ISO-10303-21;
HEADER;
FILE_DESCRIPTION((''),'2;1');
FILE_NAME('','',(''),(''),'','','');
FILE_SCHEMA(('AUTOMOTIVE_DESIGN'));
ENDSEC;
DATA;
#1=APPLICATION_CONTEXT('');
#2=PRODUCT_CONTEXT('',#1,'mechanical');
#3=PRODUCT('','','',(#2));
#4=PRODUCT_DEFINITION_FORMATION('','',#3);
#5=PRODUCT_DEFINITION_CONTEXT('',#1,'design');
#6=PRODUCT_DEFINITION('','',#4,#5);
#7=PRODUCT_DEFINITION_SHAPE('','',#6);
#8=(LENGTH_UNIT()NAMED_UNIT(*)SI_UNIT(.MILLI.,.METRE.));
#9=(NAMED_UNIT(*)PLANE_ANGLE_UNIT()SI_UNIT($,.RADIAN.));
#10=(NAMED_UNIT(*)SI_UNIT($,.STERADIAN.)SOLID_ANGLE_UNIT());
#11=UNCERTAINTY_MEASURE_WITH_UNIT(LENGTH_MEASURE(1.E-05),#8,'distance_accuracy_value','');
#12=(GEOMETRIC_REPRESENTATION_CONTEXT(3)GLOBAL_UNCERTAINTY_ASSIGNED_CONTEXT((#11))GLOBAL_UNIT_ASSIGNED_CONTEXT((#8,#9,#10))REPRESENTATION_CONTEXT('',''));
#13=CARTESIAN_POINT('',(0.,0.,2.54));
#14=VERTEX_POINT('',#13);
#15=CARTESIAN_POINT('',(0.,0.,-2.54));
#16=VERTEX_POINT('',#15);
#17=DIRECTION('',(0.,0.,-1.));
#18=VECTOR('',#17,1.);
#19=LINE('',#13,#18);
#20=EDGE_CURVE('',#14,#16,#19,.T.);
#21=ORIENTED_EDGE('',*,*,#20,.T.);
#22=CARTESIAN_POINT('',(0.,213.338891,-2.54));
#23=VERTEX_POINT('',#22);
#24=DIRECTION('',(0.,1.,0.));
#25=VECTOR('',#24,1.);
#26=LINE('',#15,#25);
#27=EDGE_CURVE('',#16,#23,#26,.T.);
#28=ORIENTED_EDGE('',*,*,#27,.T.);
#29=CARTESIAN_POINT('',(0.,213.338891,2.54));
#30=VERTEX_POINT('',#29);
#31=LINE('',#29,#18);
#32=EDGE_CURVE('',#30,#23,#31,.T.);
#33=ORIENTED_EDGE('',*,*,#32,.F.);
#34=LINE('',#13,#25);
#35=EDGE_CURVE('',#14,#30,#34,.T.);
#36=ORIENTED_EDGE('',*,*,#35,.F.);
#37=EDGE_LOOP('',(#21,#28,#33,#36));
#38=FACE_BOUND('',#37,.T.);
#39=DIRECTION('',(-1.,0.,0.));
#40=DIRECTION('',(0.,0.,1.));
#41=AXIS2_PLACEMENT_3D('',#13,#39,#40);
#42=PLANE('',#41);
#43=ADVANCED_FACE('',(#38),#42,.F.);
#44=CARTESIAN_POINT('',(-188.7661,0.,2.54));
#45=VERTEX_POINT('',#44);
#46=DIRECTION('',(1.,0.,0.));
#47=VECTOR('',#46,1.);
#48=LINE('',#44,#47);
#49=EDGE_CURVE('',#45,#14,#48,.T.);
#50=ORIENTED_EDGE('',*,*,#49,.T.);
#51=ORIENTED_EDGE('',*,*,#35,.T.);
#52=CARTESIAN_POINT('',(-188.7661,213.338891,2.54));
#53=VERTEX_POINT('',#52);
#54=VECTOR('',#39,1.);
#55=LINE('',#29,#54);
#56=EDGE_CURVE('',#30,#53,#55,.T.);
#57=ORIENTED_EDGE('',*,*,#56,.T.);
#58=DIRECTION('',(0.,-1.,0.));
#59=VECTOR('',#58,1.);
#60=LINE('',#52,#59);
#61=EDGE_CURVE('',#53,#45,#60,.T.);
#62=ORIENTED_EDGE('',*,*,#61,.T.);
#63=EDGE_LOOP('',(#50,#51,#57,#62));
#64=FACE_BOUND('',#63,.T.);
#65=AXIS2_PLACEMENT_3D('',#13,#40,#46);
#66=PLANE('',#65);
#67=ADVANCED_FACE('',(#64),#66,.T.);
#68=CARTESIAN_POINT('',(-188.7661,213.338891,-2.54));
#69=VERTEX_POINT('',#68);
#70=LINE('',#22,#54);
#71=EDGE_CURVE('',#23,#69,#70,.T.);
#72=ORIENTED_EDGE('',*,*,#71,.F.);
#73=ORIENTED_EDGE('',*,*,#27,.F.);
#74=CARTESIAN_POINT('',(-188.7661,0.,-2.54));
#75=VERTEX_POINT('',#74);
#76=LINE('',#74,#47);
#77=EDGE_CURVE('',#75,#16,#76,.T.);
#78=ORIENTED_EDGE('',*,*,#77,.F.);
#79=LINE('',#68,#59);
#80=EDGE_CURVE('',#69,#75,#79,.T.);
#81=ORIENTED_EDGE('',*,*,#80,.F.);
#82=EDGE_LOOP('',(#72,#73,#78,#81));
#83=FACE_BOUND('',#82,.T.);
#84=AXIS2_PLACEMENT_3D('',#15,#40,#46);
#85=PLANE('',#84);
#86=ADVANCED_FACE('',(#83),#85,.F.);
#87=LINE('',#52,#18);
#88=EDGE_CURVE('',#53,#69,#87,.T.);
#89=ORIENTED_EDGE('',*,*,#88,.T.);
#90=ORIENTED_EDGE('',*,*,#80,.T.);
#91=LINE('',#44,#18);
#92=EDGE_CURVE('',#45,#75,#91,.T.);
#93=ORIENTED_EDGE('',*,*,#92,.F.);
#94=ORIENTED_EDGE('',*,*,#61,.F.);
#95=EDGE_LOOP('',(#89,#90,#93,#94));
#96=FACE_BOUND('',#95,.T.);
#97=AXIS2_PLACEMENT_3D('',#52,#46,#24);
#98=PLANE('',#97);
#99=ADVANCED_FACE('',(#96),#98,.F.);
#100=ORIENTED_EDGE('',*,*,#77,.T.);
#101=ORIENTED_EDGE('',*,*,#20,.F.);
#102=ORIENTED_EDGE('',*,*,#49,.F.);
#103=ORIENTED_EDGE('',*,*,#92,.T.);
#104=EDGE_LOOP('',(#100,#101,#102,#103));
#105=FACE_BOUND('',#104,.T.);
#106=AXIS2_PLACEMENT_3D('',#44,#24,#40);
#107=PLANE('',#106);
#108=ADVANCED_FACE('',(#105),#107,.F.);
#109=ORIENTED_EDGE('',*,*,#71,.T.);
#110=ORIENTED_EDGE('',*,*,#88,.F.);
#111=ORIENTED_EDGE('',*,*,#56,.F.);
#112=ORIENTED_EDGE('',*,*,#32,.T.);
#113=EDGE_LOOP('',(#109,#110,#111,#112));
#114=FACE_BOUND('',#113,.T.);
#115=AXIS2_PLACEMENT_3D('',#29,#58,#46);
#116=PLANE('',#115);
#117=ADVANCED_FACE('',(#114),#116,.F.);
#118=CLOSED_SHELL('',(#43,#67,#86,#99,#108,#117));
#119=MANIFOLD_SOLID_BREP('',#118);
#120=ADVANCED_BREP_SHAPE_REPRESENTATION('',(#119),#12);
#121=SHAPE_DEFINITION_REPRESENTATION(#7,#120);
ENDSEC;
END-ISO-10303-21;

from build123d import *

# Parameters (mm, degrees)
SKETCH4_W           = 235.957625426
SKETCH4_H           = 266.673613736
BOSS_EXTRUDE1_DEPTH = 3.175
SCALE1_SCALE        = 0.8


with BuildPart() as part:
    # Sketch4 → Boss-Extrude1 (new body, symmetric)
    with BuildSketch(Plane.XY):
        with Locations((-117.978812713, 133.336806868)):
            Rectangle(SKETCH4_W, SKETCH4_H)
    extrude(amount=BOSS_EXTRUDE1_DEPTH, both=True)


with BuildPart() as part_1:
    # Scale1: scaled about (0, 0, 0)
    add(part.part.scale(SCALE1_SCALE))


solid = part_1.part
